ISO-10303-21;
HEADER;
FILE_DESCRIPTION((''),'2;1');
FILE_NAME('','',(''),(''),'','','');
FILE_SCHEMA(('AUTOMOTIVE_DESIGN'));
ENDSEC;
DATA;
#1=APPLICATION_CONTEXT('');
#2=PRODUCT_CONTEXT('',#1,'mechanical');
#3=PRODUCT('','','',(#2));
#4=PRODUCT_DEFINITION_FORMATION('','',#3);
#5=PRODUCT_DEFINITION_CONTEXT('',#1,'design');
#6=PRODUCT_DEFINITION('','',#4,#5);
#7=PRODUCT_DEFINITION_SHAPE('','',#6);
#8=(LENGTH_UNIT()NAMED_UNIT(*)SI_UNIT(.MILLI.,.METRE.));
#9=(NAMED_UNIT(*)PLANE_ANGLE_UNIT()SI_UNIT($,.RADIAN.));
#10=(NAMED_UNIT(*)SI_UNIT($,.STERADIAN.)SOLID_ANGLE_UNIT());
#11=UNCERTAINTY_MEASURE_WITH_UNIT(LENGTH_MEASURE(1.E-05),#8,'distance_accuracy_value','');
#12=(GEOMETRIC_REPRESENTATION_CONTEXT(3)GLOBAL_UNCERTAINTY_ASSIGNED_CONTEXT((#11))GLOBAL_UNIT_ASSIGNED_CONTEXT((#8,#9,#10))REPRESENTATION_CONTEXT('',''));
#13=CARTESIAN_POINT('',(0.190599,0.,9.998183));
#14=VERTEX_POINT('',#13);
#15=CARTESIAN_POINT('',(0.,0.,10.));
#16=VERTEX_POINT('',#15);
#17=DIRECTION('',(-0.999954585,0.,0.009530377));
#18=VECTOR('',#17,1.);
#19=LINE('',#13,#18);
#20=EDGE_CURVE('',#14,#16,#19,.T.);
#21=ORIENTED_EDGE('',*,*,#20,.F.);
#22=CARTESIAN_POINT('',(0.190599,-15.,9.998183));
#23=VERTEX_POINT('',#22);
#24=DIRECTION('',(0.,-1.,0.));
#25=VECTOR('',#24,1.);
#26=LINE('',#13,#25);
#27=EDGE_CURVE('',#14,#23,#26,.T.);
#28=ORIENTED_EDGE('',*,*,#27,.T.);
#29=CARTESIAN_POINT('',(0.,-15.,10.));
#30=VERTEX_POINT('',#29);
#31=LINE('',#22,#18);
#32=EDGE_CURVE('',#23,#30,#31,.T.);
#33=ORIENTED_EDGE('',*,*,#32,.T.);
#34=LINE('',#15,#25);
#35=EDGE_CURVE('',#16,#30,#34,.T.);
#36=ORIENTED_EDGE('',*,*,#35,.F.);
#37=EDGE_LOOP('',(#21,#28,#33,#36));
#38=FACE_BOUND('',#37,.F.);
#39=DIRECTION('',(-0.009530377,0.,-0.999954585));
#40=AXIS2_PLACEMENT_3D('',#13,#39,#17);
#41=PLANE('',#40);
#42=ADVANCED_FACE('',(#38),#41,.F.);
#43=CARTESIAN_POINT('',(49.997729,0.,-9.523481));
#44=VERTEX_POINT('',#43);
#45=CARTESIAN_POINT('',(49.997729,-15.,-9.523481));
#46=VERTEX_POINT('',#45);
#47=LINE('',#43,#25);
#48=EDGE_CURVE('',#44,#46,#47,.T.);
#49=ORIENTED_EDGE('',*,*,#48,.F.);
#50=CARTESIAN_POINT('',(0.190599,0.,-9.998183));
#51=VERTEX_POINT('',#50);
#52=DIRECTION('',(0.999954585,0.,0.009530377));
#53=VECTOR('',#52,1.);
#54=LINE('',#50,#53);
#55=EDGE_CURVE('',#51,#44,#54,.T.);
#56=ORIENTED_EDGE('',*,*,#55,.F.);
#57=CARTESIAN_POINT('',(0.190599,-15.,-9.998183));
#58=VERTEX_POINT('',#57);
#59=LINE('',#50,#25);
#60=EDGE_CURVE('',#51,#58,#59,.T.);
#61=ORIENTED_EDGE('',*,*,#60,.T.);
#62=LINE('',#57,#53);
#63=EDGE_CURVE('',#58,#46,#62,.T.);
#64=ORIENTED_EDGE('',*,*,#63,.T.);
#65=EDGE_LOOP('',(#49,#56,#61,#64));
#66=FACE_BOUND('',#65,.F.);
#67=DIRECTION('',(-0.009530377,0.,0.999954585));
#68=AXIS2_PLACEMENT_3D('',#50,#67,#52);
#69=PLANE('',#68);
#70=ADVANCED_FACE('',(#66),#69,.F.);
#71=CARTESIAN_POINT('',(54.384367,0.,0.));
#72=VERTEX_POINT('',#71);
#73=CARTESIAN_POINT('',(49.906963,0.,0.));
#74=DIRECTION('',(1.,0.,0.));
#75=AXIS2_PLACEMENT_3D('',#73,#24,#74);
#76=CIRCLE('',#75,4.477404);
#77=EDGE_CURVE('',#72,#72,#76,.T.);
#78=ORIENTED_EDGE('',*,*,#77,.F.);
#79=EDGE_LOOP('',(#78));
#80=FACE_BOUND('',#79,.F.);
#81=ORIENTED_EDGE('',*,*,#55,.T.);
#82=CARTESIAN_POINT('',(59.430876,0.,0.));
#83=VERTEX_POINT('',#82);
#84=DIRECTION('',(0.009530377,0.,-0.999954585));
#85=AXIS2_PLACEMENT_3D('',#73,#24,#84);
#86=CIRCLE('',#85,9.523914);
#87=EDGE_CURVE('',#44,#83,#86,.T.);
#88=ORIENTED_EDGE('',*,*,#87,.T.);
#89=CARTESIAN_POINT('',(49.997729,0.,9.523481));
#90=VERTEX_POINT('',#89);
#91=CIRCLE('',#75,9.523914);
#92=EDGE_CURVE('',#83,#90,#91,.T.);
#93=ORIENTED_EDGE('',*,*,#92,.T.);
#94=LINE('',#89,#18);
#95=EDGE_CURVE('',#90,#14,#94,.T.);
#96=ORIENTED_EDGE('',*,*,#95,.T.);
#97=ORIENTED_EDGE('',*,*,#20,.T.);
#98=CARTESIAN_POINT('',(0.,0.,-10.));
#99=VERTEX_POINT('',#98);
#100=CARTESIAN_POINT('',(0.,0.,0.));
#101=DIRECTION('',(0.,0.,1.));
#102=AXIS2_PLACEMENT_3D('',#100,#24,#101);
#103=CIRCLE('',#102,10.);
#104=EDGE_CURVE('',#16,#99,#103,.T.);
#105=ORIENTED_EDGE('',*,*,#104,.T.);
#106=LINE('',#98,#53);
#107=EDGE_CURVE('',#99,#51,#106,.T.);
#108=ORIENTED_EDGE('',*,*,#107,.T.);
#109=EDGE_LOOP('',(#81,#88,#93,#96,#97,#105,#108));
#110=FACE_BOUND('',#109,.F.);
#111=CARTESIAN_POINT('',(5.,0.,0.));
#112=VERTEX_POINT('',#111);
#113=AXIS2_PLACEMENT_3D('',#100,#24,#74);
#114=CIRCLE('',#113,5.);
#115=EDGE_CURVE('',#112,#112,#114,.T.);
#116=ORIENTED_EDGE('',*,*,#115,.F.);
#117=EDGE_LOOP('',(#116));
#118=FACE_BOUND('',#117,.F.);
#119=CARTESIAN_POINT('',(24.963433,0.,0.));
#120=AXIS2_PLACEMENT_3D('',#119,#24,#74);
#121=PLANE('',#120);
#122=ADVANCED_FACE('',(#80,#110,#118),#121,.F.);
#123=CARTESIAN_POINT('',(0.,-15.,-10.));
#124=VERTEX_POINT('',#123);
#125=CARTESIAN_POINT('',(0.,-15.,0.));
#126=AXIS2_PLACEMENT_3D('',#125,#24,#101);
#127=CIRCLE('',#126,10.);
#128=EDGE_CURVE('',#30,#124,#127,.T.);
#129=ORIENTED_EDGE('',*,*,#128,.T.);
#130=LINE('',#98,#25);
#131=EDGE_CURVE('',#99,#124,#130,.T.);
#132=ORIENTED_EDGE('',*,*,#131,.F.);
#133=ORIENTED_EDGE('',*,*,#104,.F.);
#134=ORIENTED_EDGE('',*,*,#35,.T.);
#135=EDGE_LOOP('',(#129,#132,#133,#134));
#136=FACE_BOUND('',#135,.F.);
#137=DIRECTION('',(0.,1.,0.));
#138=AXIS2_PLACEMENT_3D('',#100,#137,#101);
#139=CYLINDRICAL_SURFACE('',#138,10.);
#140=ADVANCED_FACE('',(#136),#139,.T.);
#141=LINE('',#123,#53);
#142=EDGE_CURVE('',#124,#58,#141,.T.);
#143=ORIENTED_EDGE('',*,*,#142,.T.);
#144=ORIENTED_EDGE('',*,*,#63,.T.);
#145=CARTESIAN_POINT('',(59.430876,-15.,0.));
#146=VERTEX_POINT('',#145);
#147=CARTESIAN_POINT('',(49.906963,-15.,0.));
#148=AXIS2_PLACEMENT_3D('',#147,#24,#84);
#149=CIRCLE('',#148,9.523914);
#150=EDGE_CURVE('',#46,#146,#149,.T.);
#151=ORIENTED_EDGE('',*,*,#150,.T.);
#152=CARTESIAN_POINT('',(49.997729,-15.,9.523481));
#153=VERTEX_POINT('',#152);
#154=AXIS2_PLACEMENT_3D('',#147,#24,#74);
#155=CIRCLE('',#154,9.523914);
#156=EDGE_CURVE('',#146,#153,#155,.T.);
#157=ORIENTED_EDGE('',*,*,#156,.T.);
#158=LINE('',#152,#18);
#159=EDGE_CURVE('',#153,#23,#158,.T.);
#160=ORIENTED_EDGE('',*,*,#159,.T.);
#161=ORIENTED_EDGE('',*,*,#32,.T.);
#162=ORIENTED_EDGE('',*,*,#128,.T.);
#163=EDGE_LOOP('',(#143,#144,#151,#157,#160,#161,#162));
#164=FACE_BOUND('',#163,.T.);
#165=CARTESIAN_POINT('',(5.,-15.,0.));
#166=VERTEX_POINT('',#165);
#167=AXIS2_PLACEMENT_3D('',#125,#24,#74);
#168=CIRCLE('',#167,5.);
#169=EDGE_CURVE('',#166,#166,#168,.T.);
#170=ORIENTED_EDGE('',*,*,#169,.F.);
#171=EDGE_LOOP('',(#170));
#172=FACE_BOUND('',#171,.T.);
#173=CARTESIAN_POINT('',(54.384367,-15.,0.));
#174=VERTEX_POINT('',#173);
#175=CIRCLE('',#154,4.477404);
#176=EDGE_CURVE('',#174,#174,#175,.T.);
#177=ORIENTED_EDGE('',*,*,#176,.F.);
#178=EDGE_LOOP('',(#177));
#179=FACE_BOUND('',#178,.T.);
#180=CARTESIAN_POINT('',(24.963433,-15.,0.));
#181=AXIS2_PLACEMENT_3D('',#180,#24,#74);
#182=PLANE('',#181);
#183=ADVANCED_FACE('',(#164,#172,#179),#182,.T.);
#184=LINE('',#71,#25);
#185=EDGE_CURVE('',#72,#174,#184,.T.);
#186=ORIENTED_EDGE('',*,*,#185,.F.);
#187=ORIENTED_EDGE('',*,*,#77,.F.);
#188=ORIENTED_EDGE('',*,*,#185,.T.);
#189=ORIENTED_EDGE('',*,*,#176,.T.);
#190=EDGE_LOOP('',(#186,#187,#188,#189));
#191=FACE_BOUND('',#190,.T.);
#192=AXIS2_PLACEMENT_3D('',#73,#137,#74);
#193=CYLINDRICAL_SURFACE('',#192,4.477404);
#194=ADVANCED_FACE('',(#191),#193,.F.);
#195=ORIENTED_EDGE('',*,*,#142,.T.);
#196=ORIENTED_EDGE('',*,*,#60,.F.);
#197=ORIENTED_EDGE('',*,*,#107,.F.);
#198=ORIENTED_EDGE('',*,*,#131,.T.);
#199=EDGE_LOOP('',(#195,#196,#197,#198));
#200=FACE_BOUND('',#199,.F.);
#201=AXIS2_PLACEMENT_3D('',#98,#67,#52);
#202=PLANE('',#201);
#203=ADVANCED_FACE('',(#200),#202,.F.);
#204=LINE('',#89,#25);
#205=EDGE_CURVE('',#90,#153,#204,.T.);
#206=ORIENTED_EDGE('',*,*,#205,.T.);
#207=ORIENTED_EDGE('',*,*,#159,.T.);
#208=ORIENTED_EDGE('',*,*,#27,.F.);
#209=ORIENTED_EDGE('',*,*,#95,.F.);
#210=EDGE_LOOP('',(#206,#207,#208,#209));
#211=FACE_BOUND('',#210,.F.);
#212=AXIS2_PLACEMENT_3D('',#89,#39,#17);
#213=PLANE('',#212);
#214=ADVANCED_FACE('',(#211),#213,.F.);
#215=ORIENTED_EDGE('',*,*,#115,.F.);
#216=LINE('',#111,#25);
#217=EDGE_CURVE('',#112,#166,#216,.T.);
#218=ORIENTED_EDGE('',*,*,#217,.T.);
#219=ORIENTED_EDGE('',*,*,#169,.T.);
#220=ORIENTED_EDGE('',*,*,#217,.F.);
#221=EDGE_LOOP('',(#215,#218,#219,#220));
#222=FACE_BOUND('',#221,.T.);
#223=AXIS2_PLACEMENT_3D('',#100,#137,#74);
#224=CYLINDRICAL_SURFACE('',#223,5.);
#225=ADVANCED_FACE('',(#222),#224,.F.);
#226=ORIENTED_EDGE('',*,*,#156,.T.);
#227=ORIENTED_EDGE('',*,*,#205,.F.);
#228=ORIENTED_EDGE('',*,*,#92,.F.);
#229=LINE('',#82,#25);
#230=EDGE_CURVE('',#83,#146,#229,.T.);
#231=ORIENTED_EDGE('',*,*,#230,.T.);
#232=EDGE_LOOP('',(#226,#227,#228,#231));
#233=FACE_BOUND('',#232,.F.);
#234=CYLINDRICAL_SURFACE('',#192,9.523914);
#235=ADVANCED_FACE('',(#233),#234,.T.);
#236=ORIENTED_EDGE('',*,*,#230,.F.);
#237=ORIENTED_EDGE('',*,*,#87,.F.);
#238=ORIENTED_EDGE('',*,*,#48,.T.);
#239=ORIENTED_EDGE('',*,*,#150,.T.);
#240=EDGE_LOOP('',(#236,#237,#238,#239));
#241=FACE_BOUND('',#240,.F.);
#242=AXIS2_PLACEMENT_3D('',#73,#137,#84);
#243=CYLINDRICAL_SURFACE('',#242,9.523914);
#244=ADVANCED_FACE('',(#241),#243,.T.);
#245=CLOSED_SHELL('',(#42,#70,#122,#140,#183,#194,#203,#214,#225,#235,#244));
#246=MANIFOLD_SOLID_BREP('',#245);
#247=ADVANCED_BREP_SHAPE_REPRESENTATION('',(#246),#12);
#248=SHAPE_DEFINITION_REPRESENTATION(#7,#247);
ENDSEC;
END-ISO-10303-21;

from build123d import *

# Parameters (mm, degrees)
F0_R     = 5
F0_R_2   = 4.4774041187
F1_DEPTH = 15


with BuildPart() as f1:
    # F0 (on Front) → F1 (new body)
    with BuildSketch(Plane.XZ):
        with BuildLine():
            Line((49.9977292464, 9.523481164), (0.1905988779, 9.9981834384))
            ThreePointArc((0.1905988779, 9.9981834384), (7.1381366189, 7.0033567388), (10, 0))
            ThreePointArc((10, 0), (7.1381366189, -7.0033567388), (0.1905988779, -9.9981834384))
            Line((0.1905988779, -9.9981834384), (49.9977292464, -9.523481164))
            ThreePointArc((49.9977292464, -9.523481164), (40.3830490678, 0), (49.9977292464, 9.523481164))
        make_face()
        with BuildLine():
            Line((0.1905988779, 9.9981834384), (0, 10))
            ThreePointArc((0, 10), (-10, 0), (0, -10))
            Line((0, -10), (0.1905988779, -9.9981834384))
            ThreePointArc((0.1905988779, -9.9981834384), (7.1381366189, -7.0033567388), (10, 0))
            ThreePointArc((10, 0), (7.1381366189, 7.0033567388), (0.1905988779, 9.9981834384))
        make_face()
        Circle(F0_R, mode=Mode.SUBTRACT)
        with BuildLine():
            ThreePointArc((59.4308764543, 0), (56.6734014185, 6.7022563314), (49.9977292464, 9.523481164))
            ThreePointArc((49.9977292464, 9.523481164), (40.3830490678, 0), (49.9977292464, -9.523481164))
            ThreePointArc((49.9977292464, -9.523481164), (56.6734014185, -6.7022563314), (59.4308764543, 0))
        make_face()
        with Locations((49.9069627611, 0)):
            Circle(F0_R_2, mode=Mode.SUBTRACT)
    extrude(amount=F1_DEPTH)


solid = f1.part
